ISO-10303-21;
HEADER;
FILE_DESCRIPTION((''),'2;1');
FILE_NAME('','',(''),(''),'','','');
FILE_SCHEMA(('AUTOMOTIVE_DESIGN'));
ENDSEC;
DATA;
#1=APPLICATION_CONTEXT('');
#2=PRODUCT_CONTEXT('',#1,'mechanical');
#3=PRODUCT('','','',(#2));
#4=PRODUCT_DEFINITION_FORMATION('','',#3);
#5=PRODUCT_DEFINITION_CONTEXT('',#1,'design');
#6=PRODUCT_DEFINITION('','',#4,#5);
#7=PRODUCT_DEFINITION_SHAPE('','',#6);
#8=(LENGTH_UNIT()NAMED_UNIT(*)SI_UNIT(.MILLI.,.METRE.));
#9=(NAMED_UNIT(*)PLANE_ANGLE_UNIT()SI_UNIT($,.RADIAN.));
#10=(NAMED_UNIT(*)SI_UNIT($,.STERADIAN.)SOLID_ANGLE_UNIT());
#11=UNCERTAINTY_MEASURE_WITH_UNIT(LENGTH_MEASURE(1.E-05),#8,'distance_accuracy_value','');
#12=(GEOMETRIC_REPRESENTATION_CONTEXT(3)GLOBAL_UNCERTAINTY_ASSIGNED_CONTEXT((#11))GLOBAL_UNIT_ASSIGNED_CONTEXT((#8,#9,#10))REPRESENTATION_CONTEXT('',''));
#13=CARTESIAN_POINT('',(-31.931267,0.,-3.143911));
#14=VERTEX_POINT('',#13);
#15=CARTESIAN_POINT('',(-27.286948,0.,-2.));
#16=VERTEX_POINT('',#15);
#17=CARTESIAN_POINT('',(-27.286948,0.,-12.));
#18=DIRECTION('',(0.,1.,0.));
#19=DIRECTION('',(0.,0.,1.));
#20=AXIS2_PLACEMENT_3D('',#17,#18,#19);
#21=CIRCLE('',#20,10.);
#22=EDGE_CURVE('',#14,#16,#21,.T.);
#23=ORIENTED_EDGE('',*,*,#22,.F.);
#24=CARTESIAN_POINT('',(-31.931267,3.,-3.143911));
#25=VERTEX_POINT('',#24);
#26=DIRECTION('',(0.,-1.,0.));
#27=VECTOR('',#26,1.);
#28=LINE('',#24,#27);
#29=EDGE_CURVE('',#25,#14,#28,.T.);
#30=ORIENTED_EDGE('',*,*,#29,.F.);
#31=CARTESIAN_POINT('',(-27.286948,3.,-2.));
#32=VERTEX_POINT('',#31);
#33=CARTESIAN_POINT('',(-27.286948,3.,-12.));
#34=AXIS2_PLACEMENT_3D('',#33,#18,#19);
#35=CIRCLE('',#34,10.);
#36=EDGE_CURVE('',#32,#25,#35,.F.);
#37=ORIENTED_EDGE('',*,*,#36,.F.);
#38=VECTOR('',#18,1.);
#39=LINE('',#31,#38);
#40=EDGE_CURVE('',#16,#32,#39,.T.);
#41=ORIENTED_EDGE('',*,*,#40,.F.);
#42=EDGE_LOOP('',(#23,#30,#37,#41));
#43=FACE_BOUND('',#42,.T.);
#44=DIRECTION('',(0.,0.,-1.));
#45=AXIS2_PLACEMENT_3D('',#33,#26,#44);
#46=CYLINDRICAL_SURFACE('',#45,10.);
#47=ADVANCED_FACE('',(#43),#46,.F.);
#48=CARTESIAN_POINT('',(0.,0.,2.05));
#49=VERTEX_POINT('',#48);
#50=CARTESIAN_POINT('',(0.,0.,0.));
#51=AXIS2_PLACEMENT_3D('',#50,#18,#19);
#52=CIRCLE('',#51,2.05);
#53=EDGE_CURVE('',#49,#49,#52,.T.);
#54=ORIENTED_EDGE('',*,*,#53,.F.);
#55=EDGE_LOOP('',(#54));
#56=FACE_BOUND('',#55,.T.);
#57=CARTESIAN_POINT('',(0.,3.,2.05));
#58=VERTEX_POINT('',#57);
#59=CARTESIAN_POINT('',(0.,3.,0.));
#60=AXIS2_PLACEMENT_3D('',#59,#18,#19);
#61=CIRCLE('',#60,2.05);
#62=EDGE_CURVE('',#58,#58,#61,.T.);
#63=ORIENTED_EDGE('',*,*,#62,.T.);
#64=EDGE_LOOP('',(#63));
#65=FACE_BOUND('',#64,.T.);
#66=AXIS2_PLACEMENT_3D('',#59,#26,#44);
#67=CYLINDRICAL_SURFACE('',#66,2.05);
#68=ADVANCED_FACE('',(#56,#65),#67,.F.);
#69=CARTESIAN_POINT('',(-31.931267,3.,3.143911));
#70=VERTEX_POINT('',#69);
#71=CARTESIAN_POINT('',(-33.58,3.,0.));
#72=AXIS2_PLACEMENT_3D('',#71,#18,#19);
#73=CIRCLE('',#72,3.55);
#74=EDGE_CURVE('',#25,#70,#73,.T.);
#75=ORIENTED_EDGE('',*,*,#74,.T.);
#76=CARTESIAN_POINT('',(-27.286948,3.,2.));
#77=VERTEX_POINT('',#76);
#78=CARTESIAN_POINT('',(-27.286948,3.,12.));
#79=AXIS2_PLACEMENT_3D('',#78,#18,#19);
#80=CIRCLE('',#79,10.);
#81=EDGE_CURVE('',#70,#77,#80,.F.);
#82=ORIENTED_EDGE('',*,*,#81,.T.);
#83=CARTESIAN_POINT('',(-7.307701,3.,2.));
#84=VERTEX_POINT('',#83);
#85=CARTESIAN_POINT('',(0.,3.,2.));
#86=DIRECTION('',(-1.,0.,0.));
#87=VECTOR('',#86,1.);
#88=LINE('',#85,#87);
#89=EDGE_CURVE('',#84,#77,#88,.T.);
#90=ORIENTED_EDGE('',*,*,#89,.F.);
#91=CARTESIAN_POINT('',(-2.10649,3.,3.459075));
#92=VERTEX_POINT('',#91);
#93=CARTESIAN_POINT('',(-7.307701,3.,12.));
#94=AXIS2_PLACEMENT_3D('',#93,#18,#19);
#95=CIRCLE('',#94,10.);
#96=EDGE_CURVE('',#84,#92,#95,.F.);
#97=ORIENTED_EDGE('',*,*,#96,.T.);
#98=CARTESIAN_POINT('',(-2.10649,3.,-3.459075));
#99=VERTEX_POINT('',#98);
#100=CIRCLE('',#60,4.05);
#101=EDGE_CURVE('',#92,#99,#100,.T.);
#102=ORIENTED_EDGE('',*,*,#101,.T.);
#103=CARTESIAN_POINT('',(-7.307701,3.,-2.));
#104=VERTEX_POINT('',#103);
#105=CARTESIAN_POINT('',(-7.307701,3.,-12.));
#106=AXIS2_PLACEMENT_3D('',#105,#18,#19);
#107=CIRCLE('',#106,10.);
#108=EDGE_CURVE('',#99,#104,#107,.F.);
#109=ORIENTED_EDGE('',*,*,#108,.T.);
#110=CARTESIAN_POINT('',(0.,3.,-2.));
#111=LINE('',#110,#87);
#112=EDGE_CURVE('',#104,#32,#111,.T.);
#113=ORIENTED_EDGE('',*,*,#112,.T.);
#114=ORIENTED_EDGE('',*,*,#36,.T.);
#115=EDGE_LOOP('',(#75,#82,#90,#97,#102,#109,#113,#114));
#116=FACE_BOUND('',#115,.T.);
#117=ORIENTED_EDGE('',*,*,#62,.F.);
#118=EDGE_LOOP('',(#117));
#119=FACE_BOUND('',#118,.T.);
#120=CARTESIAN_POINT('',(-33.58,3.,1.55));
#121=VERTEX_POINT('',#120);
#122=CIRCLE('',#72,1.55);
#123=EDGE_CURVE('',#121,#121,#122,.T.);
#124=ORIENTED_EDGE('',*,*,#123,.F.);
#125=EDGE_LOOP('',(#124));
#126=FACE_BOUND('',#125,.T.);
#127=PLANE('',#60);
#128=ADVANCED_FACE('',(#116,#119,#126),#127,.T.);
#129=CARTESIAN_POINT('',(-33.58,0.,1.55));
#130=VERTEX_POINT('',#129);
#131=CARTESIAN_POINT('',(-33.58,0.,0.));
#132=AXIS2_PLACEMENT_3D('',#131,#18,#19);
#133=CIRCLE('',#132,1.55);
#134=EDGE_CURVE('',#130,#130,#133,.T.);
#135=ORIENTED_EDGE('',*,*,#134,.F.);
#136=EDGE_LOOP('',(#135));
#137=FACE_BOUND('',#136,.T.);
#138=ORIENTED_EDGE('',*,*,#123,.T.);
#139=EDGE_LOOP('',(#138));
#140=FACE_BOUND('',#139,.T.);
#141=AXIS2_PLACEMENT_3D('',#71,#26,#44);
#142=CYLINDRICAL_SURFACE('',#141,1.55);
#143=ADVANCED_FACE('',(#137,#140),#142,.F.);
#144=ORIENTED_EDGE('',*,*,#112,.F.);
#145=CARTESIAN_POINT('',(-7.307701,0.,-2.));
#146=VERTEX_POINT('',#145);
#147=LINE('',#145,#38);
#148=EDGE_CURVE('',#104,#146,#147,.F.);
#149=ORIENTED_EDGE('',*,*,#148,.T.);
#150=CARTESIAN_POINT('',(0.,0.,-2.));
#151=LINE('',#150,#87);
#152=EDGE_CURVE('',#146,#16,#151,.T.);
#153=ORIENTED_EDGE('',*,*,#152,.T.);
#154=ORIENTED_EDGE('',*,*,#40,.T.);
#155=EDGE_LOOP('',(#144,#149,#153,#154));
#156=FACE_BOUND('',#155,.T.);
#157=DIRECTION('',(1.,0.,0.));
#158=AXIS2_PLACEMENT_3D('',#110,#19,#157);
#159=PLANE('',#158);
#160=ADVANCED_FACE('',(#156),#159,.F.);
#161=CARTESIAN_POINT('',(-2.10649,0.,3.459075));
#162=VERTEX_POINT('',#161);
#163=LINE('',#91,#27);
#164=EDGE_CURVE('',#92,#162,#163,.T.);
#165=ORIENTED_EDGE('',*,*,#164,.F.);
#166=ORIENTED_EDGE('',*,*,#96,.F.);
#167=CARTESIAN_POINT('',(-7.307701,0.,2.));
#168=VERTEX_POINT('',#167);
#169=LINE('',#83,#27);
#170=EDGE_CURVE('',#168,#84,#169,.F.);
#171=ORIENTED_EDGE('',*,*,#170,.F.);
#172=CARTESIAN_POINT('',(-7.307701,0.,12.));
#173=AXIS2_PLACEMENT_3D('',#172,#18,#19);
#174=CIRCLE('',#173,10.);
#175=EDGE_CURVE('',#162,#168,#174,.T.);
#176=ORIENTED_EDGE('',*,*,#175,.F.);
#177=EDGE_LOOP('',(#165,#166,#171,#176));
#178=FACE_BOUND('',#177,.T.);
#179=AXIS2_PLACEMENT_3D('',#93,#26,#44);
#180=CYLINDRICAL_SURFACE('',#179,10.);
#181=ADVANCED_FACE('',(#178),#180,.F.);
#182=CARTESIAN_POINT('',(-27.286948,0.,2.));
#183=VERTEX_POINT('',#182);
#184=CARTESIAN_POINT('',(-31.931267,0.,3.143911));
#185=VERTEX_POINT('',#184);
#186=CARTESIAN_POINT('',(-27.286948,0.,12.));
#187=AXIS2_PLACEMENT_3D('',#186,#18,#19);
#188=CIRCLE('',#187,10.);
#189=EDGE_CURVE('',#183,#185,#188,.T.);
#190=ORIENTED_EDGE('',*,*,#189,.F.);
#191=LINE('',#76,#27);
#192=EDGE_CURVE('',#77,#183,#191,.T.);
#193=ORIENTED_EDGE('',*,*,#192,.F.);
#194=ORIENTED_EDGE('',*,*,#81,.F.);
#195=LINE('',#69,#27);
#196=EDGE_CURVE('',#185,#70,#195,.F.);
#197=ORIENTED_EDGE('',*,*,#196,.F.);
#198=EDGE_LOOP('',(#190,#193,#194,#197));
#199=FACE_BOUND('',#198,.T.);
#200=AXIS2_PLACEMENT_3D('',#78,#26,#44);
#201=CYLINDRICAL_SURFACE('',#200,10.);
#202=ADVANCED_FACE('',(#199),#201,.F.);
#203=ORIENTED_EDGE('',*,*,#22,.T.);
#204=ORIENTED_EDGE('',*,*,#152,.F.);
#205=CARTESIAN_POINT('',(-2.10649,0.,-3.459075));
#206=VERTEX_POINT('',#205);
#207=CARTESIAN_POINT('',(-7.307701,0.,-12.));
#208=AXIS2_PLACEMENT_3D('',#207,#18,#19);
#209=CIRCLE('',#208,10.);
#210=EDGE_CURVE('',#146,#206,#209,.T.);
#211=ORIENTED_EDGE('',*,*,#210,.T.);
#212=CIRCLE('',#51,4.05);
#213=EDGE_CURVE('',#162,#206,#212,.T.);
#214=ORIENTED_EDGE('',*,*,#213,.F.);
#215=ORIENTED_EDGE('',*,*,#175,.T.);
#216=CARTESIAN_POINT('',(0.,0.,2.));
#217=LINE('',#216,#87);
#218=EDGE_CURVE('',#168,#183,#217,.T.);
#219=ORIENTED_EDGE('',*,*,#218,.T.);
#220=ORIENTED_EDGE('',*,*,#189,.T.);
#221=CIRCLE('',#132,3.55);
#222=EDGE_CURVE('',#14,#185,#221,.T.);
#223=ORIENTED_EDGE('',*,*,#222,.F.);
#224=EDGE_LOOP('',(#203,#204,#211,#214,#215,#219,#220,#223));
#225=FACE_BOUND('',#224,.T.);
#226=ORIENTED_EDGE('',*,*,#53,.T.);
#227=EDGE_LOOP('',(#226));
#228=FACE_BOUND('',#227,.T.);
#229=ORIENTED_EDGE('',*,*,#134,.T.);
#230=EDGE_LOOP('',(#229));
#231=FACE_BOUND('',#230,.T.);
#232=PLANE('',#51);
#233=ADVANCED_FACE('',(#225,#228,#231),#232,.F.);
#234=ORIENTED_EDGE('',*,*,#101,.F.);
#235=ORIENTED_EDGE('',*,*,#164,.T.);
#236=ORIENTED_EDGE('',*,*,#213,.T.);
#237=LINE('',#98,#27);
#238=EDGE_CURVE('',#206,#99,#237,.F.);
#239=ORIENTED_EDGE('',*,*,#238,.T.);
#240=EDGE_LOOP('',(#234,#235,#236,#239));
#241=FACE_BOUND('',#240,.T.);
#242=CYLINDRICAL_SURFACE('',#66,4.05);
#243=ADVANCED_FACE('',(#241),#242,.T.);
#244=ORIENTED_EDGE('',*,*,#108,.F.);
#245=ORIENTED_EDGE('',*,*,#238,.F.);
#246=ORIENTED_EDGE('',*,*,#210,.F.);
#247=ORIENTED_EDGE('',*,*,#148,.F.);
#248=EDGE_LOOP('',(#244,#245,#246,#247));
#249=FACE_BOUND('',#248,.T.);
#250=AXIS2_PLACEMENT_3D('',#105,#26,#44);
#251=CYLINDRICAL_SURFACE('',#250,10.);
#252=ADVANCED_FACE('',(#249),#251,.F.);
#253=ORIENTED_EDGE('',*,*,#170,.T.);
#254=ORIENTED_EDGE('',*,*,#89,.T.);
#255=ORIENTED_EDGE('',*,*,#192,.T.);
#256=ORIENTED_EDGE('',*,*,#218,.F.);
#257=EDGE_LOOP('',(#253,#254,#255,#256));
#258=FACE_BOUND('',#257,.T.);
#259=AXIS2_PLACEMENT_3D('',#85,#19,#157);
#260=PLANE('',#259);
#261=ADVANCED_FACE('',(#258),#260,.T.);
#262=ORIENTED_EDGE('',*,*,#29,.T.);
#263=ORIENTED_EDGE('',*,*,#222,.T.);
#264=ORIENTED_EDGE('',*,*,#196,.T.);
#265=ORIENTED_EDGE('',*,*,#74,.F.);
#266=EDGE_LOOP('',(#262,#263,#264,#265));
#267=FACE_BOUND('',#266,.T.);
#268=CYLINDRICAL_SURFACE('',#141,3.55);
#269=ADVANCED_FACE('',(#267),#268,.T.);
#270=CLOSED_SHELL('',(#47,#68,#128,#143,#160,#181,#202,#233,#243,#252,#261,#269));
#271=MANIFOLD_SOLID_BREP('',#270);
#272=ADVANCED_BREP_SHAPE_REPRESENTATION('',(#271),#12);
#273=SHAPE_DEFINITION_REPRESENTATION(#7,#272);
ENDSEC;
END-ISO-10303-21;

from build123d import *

# Parameters (mm, degrees)
SKETCH1_R           = 2.05
SKETCH1_R_2         = 1.55
BOSS_EXTRUDE1_DEPTH = 3
FILLET1_R           = 10


with BuildPart() as part:
    # Sketch1 → Boss-Extrude1 (new body)
    with BuildSketch(Plane(origin=(0, 0, 0), x_dir=(1, 0, 0), z_dir=(0, 1, 0))):
        with BuildLine():
            Line((-3.521718331, 2), (-30.646998125, 2))
            ThreePointArc((-30.646998125, 2), (-37.13, 0), (-30.646998125, -2))
            Line((-30.646998125, -2), (-3.521718331, -2))
            ThreePointArc((-3.521718331, -2), (4.05, 0), (-3.521718331, 2))
        make_face()
        with Locations(Location((0, 0, 0), (0, 0, 270))):
            Circle(SKETCH1_R, mode=Mode.SUBTRACT)
        with Locations(Location((-33.58, 0, 0), (0, 0, 270))):
            Circle(SKETCH1_R_2, mode=Mode.SUBTRACT)
    extrude(amount=BOSS_EXTRUDE1_DEPTH)

    # Fillet1
    fillet1_edges = [part.edges().sort_by_distance(p)[0] for p in [
        (-3.521718331, 1.5, 2),
        (-30.646998125, 1.5, 2),
        (-30.646998125, 1.5, -2),
        (-3.521718331, 1.5, -2),
    ]]
    fillet(fillet1_edges, radius=FILLET1_R)


solid = part.part
